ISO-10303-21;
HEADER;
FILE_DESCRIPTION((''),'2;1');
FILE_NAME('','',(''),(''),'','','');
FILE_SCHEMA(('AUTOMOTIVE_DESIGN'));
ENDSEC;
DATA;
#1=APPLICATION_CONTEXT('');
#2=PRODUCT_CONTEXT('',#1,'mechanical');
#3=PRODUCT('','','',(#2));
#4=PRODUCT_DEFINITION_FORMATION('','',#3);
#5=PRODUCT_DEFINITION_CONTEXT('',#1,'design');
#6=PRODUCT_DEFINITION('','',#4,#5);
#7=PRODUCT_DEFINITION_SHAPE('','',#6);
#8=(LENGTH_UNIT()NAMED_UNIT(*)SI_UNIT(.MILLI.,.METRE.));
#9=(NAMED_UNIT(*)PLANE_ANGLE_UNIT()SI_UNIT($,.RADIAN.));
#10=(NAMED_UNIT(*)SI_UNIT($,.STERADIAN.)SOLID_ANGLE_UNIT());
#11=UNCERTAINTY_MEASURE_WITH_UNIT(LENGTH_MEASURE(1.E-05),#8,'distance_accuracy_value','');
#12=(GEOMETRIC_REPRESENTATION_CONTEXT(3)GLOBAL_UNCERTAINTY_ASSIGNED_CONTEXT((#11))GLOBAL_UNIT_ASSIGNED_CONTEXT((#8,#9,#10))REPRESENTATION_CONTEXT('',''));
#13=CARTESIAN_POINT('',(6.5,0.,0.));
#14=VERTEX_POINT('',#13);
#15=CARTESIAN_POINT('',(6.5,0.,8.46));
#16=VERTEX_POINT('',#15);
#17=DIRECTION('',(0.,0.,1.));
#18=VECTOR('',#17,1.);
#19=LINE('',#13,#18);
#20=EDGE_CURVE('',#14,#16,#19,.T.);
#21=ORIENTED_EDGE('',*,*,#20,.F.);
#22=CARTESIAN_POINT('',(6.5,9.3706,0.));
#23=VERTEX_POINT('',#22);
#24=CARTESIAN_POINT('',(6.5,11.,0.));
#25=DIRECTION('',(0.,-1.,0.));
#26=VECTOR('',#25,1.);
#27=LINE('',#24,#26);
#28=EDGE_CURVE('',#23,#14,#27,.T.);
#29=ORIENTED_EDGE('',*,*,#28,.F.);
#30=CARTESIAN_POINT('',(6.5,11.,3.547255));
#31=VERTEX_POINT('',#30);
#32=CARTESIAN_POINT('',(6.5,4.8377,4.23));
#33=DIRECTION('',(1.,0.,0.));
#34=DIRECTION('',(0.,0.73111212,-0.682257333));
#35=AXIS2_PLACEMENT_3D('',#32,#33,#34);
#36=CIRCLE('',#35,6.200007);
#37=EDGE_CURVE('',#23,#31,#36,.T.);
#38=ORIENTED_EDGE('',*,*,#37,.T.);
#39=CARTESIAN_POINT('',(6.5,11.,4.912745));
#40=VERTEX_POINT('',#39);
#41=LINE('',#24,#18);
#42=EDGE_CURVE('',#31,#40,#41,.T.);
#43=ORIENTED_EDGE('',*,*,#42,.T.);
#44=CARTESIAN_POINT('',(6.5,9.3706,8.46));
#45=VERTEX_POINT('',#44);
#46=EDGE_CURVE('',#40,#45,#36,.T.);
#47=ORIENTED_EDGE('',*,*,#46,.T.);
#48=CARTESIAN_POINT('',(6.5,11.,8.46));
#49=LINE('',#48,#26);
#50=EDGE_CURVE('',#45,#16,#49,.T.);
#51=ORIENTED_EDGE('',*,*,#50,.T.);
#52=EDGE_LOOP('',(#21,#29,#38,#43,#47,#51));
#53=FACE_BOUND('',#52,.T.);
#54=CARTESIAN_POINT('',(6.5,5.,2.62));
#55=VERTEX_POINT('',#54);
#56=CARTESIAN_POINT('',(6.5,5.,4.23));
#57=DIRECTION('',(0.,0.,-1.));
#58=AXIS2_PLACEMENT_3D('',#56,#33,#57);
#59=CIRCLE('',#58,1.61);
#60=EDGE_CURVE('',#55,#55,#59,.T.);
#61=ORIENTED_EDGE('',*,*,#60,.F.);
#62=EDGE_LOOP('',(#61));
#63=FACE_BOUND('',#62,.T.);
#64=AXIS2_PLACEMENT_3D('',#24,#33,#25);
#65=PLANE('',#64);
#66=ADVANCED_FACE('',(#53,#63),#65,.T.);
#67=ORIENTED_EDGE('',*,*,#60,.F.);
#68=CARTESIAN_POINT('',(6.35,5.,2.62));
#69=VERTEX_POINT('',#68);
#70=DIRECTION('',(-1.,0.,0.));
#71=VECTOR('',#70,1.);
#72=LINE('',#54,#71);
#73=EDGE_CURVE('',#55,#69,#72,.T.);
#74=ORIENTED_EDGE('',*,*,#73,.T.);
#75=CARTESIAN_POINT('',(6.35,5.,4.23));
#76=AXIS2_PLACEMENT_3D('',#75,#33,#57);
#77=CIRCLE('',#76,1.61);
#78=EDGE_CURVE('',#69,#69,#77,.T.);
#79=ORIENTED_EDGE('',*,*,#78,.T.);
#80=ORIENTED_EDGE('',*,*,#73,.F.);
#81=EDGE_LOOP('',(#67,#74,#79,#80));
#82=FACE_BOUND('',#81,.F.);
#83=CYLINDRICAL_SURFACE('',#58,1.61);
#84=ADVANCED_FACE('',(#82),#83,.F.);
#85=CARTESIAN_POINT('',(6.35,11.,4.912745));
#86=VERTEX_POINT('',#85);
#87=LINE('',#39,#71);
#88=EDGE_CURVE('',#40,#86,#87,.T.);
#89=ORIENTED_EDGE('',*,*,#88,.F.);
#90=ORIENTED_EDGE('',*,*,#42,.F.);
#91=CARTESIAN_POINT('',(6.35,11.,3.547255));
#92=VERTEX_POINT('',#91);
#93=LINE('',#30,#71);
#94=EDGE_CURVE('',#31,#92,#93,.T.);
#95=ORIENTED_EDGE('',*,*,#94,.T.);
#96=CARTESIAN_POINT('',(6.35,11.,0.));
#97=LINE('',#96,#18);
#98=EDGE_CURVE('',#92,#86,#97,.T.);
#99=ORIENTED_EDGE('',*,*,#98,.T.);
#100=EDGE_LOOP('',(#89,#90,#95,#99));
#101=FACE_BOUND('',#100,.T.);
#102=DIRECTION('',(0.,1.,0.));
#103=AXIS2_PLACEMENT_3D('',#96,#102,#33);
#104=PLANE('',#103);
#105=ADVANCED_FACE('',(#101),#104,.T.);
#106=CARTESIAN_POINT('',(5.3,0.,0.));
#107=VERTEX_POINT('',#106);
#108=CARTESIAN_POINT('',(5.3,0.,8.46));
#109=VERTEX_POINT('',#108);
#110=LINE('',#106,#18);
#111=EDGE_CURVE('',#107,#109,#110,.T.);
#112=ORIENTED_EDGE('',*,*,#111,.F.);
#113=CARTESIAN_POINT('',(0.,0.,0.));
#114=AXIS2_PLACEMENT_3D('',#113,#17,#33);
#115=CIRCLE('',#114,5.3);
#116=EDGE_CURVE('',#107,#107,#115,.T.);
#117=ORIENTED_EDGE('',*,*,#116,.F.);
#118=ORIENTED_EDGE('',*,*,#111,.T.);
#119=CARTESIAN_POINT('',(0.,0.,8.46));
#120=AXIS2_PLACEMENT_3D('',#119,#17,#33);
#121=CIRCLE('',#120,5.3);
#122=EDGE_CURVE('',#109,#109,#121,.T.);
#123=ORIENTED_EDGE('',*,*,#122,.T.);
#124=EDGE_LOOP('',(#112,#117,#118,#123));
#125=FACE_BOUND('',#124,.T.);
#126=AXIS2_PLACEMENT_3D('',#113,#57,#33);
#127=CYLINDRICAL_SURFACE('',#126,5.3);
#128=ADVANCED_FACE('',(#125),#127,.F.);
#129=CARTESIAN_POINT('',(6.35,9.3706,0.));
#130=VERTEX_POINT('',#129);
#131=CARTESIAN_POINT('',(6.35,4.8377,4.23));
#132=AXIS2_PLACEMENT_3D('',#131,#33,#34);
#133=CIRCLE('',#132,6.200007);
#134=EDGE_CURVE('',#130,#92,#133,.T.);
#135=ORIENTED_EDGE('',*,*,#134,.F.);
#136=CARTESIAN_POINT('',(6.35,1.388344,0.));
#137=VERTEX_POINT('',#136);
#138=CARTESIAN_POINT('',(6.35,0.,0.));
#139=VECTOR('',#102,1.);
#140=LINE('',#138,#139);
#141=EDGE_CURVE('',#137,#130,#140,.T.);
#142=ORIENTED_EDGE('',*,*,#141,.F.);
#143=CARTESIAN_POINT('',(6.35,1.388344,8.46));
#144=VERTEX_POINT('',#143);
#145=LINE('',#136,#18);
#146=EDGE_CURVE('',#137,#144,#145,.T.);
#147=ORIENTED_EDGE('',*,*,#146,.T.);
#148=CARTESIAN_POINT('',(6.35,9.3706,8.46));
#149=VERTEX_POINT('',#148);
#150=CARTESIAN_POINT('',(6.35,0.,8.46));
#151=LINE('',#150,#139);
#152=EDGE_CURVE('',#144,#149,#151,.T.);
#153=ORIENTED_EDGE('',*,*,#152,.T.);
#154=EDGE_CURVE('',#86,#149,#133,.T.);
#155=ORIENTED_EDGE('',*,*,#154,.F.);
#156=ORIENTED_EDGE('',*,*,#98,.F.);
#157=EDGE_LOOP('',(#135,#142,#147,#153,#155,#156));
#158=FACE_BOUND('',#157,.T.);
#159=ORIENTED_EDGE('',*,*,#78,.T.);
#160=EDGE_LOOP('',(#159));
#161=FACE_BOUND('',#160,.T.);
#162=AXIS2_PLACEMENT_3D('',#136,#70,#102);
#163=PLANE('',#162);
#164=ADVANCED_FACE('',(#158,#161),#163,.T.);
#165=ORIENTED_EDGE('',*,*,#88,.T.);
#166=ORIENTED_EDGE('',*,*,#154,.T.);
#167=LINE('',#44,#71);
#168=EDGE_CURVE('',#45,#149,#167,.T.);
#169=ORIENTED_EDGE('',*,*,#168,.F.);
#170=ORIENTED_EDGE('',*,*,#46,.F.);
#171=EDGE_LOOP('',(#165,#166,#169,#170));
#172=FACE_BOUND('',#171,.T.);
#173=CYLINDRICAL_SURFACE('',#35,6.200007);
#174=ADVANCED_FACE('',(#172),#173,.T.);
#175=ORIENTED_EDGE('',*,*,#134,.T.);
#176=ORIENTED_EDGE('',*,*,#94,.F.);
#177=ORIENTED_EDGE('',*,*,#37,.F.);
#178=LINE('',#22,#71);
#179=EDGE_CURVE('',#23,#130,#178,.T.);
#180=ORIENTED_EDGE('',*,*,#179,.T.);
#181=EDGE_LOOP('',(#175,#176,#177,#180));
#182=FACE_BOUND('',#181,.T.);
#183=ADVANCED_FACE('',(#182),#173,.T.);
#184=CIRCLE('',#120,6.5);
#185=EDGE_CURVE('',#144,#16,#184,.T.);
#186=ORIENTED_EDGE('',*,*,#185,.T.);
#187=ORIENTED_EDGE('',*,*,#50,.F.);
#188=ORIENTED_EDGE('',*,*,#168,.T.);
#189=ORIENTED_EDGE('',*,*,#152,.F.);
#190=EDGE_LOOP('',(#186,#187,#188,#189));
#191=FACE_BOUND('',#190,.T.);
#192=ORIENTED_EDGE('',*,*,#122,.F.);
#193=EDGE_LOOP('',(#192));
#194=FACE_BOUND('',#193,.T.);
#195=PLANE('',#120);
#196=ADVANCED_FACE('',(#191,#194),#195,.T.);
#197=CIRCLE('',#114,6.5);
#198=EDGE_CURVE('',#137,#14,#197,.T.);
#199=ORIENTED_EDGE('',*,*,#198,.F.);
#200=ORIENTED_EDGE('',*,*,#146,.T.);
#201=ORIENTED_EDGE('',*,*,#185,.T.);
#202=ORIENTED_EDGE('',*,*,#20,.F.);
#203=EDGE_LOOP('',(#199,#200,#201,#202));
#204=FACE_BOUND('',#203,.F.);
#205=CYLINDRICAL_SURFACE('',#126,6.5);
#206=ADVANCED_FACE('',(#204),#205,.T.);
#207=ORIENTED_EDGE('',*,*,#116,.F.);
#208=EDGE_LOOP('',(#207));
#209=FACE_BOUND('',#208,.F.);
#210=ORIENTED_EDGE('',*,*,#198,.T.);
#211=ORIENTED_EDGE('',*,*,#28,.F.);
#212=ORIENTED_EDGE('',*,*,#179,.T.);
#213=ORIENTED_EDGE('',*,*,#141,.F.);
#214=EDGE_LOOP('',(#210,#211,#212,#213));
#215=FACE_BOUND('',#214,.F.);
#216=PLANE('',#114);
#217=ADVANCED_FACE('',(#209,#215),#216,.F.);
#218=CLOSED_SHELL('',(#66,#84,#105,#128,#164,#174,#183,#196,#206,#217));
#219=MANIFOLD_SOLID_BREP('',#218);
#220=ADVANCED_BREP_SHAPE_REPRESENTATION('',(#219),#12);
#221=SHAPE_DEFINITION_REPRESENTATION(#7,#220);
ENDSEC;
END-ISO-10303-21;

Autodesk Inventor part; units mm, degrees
ref_plane "YZ Plane" through (0, 0, 0) normal (1, 0, 0) x (0, 1, 0)
ref_plane "XZ Plane" through (0, 0, 0) normal (0, 1, 0) x (-1, 0, 0)
ref_plane "XY Plane" through (0, 0, 0) normal (0, 0, 1) x (1, 0, 0)
sketch "Sketch1" plane through (0, 0, 0) normal (0, 0, 1) x (1, 0, 0)
  circle A0 centre (0, 0) radius 6.5
  line L0 (6.5, 0) -> (6.35, 0)
  line L1 (6.35, 0) -> (6.35, 11)
  line L2 (6.35, 11) -> (6.5, 11)
  line L3 (6.5, 11) -> (6.5, 0)
  circle A1 centre (0, 0) radius 5.3
  point P0 (6.35, 1.3883)
  dimension "d0" = 13
  dimension "d1" = 0.15
  dimension "d2" = 11
  dimension "d12" = 1.2
extrude "Extrusion1" add sketch "Sketch1" along normal blind 8.46
sketch "Sketch2" plane through (6.5, 0, 0) normal (1, 0, 0) x (0, 0, -1)
  circle A0 centre (-4.23, 5) radius 1.61
  line L0 (0, 0) -> (0, 11) projected
  line L1 (-8.46, 0) -> (-8.46, 11) projected
  arc A1 (0, 9.3706) -> (-8.46, 9.3706) centre (-4.23, 4.8377) ccw
  line L2 (-8.46, 0) -> (0, 0)
  line L3 (0, 6.5) -> (0, -6.5) projected
  line L4 (0, 0) -> (0, 11) projected
  line L5 (0, 11) -> (-8.46, 11) projected
  line L6 (-8.46, 0) -> (-8.46, 11) projected
  line L7 (0, 0) -> (-8.46, 0) projected
  point P0 (0, 1.3883)
  point P1 (-3.5473, 11)
  point P2 (-4.9127, 11)
  dimension "d5" = 5
  dimension "d6" = 3.22
  dimension "d8" = 4.23
  dimension "d9" = 6.2
extrude "Extrusion2" cut sketch "Sketch2" against normal up to surface (0.15 mm away) contours A0 | A1 L5 L0 | L1 L5 A1
properties part number "LCF 025 05 031S (on hub)" material "Brass, Soft Yellow"
